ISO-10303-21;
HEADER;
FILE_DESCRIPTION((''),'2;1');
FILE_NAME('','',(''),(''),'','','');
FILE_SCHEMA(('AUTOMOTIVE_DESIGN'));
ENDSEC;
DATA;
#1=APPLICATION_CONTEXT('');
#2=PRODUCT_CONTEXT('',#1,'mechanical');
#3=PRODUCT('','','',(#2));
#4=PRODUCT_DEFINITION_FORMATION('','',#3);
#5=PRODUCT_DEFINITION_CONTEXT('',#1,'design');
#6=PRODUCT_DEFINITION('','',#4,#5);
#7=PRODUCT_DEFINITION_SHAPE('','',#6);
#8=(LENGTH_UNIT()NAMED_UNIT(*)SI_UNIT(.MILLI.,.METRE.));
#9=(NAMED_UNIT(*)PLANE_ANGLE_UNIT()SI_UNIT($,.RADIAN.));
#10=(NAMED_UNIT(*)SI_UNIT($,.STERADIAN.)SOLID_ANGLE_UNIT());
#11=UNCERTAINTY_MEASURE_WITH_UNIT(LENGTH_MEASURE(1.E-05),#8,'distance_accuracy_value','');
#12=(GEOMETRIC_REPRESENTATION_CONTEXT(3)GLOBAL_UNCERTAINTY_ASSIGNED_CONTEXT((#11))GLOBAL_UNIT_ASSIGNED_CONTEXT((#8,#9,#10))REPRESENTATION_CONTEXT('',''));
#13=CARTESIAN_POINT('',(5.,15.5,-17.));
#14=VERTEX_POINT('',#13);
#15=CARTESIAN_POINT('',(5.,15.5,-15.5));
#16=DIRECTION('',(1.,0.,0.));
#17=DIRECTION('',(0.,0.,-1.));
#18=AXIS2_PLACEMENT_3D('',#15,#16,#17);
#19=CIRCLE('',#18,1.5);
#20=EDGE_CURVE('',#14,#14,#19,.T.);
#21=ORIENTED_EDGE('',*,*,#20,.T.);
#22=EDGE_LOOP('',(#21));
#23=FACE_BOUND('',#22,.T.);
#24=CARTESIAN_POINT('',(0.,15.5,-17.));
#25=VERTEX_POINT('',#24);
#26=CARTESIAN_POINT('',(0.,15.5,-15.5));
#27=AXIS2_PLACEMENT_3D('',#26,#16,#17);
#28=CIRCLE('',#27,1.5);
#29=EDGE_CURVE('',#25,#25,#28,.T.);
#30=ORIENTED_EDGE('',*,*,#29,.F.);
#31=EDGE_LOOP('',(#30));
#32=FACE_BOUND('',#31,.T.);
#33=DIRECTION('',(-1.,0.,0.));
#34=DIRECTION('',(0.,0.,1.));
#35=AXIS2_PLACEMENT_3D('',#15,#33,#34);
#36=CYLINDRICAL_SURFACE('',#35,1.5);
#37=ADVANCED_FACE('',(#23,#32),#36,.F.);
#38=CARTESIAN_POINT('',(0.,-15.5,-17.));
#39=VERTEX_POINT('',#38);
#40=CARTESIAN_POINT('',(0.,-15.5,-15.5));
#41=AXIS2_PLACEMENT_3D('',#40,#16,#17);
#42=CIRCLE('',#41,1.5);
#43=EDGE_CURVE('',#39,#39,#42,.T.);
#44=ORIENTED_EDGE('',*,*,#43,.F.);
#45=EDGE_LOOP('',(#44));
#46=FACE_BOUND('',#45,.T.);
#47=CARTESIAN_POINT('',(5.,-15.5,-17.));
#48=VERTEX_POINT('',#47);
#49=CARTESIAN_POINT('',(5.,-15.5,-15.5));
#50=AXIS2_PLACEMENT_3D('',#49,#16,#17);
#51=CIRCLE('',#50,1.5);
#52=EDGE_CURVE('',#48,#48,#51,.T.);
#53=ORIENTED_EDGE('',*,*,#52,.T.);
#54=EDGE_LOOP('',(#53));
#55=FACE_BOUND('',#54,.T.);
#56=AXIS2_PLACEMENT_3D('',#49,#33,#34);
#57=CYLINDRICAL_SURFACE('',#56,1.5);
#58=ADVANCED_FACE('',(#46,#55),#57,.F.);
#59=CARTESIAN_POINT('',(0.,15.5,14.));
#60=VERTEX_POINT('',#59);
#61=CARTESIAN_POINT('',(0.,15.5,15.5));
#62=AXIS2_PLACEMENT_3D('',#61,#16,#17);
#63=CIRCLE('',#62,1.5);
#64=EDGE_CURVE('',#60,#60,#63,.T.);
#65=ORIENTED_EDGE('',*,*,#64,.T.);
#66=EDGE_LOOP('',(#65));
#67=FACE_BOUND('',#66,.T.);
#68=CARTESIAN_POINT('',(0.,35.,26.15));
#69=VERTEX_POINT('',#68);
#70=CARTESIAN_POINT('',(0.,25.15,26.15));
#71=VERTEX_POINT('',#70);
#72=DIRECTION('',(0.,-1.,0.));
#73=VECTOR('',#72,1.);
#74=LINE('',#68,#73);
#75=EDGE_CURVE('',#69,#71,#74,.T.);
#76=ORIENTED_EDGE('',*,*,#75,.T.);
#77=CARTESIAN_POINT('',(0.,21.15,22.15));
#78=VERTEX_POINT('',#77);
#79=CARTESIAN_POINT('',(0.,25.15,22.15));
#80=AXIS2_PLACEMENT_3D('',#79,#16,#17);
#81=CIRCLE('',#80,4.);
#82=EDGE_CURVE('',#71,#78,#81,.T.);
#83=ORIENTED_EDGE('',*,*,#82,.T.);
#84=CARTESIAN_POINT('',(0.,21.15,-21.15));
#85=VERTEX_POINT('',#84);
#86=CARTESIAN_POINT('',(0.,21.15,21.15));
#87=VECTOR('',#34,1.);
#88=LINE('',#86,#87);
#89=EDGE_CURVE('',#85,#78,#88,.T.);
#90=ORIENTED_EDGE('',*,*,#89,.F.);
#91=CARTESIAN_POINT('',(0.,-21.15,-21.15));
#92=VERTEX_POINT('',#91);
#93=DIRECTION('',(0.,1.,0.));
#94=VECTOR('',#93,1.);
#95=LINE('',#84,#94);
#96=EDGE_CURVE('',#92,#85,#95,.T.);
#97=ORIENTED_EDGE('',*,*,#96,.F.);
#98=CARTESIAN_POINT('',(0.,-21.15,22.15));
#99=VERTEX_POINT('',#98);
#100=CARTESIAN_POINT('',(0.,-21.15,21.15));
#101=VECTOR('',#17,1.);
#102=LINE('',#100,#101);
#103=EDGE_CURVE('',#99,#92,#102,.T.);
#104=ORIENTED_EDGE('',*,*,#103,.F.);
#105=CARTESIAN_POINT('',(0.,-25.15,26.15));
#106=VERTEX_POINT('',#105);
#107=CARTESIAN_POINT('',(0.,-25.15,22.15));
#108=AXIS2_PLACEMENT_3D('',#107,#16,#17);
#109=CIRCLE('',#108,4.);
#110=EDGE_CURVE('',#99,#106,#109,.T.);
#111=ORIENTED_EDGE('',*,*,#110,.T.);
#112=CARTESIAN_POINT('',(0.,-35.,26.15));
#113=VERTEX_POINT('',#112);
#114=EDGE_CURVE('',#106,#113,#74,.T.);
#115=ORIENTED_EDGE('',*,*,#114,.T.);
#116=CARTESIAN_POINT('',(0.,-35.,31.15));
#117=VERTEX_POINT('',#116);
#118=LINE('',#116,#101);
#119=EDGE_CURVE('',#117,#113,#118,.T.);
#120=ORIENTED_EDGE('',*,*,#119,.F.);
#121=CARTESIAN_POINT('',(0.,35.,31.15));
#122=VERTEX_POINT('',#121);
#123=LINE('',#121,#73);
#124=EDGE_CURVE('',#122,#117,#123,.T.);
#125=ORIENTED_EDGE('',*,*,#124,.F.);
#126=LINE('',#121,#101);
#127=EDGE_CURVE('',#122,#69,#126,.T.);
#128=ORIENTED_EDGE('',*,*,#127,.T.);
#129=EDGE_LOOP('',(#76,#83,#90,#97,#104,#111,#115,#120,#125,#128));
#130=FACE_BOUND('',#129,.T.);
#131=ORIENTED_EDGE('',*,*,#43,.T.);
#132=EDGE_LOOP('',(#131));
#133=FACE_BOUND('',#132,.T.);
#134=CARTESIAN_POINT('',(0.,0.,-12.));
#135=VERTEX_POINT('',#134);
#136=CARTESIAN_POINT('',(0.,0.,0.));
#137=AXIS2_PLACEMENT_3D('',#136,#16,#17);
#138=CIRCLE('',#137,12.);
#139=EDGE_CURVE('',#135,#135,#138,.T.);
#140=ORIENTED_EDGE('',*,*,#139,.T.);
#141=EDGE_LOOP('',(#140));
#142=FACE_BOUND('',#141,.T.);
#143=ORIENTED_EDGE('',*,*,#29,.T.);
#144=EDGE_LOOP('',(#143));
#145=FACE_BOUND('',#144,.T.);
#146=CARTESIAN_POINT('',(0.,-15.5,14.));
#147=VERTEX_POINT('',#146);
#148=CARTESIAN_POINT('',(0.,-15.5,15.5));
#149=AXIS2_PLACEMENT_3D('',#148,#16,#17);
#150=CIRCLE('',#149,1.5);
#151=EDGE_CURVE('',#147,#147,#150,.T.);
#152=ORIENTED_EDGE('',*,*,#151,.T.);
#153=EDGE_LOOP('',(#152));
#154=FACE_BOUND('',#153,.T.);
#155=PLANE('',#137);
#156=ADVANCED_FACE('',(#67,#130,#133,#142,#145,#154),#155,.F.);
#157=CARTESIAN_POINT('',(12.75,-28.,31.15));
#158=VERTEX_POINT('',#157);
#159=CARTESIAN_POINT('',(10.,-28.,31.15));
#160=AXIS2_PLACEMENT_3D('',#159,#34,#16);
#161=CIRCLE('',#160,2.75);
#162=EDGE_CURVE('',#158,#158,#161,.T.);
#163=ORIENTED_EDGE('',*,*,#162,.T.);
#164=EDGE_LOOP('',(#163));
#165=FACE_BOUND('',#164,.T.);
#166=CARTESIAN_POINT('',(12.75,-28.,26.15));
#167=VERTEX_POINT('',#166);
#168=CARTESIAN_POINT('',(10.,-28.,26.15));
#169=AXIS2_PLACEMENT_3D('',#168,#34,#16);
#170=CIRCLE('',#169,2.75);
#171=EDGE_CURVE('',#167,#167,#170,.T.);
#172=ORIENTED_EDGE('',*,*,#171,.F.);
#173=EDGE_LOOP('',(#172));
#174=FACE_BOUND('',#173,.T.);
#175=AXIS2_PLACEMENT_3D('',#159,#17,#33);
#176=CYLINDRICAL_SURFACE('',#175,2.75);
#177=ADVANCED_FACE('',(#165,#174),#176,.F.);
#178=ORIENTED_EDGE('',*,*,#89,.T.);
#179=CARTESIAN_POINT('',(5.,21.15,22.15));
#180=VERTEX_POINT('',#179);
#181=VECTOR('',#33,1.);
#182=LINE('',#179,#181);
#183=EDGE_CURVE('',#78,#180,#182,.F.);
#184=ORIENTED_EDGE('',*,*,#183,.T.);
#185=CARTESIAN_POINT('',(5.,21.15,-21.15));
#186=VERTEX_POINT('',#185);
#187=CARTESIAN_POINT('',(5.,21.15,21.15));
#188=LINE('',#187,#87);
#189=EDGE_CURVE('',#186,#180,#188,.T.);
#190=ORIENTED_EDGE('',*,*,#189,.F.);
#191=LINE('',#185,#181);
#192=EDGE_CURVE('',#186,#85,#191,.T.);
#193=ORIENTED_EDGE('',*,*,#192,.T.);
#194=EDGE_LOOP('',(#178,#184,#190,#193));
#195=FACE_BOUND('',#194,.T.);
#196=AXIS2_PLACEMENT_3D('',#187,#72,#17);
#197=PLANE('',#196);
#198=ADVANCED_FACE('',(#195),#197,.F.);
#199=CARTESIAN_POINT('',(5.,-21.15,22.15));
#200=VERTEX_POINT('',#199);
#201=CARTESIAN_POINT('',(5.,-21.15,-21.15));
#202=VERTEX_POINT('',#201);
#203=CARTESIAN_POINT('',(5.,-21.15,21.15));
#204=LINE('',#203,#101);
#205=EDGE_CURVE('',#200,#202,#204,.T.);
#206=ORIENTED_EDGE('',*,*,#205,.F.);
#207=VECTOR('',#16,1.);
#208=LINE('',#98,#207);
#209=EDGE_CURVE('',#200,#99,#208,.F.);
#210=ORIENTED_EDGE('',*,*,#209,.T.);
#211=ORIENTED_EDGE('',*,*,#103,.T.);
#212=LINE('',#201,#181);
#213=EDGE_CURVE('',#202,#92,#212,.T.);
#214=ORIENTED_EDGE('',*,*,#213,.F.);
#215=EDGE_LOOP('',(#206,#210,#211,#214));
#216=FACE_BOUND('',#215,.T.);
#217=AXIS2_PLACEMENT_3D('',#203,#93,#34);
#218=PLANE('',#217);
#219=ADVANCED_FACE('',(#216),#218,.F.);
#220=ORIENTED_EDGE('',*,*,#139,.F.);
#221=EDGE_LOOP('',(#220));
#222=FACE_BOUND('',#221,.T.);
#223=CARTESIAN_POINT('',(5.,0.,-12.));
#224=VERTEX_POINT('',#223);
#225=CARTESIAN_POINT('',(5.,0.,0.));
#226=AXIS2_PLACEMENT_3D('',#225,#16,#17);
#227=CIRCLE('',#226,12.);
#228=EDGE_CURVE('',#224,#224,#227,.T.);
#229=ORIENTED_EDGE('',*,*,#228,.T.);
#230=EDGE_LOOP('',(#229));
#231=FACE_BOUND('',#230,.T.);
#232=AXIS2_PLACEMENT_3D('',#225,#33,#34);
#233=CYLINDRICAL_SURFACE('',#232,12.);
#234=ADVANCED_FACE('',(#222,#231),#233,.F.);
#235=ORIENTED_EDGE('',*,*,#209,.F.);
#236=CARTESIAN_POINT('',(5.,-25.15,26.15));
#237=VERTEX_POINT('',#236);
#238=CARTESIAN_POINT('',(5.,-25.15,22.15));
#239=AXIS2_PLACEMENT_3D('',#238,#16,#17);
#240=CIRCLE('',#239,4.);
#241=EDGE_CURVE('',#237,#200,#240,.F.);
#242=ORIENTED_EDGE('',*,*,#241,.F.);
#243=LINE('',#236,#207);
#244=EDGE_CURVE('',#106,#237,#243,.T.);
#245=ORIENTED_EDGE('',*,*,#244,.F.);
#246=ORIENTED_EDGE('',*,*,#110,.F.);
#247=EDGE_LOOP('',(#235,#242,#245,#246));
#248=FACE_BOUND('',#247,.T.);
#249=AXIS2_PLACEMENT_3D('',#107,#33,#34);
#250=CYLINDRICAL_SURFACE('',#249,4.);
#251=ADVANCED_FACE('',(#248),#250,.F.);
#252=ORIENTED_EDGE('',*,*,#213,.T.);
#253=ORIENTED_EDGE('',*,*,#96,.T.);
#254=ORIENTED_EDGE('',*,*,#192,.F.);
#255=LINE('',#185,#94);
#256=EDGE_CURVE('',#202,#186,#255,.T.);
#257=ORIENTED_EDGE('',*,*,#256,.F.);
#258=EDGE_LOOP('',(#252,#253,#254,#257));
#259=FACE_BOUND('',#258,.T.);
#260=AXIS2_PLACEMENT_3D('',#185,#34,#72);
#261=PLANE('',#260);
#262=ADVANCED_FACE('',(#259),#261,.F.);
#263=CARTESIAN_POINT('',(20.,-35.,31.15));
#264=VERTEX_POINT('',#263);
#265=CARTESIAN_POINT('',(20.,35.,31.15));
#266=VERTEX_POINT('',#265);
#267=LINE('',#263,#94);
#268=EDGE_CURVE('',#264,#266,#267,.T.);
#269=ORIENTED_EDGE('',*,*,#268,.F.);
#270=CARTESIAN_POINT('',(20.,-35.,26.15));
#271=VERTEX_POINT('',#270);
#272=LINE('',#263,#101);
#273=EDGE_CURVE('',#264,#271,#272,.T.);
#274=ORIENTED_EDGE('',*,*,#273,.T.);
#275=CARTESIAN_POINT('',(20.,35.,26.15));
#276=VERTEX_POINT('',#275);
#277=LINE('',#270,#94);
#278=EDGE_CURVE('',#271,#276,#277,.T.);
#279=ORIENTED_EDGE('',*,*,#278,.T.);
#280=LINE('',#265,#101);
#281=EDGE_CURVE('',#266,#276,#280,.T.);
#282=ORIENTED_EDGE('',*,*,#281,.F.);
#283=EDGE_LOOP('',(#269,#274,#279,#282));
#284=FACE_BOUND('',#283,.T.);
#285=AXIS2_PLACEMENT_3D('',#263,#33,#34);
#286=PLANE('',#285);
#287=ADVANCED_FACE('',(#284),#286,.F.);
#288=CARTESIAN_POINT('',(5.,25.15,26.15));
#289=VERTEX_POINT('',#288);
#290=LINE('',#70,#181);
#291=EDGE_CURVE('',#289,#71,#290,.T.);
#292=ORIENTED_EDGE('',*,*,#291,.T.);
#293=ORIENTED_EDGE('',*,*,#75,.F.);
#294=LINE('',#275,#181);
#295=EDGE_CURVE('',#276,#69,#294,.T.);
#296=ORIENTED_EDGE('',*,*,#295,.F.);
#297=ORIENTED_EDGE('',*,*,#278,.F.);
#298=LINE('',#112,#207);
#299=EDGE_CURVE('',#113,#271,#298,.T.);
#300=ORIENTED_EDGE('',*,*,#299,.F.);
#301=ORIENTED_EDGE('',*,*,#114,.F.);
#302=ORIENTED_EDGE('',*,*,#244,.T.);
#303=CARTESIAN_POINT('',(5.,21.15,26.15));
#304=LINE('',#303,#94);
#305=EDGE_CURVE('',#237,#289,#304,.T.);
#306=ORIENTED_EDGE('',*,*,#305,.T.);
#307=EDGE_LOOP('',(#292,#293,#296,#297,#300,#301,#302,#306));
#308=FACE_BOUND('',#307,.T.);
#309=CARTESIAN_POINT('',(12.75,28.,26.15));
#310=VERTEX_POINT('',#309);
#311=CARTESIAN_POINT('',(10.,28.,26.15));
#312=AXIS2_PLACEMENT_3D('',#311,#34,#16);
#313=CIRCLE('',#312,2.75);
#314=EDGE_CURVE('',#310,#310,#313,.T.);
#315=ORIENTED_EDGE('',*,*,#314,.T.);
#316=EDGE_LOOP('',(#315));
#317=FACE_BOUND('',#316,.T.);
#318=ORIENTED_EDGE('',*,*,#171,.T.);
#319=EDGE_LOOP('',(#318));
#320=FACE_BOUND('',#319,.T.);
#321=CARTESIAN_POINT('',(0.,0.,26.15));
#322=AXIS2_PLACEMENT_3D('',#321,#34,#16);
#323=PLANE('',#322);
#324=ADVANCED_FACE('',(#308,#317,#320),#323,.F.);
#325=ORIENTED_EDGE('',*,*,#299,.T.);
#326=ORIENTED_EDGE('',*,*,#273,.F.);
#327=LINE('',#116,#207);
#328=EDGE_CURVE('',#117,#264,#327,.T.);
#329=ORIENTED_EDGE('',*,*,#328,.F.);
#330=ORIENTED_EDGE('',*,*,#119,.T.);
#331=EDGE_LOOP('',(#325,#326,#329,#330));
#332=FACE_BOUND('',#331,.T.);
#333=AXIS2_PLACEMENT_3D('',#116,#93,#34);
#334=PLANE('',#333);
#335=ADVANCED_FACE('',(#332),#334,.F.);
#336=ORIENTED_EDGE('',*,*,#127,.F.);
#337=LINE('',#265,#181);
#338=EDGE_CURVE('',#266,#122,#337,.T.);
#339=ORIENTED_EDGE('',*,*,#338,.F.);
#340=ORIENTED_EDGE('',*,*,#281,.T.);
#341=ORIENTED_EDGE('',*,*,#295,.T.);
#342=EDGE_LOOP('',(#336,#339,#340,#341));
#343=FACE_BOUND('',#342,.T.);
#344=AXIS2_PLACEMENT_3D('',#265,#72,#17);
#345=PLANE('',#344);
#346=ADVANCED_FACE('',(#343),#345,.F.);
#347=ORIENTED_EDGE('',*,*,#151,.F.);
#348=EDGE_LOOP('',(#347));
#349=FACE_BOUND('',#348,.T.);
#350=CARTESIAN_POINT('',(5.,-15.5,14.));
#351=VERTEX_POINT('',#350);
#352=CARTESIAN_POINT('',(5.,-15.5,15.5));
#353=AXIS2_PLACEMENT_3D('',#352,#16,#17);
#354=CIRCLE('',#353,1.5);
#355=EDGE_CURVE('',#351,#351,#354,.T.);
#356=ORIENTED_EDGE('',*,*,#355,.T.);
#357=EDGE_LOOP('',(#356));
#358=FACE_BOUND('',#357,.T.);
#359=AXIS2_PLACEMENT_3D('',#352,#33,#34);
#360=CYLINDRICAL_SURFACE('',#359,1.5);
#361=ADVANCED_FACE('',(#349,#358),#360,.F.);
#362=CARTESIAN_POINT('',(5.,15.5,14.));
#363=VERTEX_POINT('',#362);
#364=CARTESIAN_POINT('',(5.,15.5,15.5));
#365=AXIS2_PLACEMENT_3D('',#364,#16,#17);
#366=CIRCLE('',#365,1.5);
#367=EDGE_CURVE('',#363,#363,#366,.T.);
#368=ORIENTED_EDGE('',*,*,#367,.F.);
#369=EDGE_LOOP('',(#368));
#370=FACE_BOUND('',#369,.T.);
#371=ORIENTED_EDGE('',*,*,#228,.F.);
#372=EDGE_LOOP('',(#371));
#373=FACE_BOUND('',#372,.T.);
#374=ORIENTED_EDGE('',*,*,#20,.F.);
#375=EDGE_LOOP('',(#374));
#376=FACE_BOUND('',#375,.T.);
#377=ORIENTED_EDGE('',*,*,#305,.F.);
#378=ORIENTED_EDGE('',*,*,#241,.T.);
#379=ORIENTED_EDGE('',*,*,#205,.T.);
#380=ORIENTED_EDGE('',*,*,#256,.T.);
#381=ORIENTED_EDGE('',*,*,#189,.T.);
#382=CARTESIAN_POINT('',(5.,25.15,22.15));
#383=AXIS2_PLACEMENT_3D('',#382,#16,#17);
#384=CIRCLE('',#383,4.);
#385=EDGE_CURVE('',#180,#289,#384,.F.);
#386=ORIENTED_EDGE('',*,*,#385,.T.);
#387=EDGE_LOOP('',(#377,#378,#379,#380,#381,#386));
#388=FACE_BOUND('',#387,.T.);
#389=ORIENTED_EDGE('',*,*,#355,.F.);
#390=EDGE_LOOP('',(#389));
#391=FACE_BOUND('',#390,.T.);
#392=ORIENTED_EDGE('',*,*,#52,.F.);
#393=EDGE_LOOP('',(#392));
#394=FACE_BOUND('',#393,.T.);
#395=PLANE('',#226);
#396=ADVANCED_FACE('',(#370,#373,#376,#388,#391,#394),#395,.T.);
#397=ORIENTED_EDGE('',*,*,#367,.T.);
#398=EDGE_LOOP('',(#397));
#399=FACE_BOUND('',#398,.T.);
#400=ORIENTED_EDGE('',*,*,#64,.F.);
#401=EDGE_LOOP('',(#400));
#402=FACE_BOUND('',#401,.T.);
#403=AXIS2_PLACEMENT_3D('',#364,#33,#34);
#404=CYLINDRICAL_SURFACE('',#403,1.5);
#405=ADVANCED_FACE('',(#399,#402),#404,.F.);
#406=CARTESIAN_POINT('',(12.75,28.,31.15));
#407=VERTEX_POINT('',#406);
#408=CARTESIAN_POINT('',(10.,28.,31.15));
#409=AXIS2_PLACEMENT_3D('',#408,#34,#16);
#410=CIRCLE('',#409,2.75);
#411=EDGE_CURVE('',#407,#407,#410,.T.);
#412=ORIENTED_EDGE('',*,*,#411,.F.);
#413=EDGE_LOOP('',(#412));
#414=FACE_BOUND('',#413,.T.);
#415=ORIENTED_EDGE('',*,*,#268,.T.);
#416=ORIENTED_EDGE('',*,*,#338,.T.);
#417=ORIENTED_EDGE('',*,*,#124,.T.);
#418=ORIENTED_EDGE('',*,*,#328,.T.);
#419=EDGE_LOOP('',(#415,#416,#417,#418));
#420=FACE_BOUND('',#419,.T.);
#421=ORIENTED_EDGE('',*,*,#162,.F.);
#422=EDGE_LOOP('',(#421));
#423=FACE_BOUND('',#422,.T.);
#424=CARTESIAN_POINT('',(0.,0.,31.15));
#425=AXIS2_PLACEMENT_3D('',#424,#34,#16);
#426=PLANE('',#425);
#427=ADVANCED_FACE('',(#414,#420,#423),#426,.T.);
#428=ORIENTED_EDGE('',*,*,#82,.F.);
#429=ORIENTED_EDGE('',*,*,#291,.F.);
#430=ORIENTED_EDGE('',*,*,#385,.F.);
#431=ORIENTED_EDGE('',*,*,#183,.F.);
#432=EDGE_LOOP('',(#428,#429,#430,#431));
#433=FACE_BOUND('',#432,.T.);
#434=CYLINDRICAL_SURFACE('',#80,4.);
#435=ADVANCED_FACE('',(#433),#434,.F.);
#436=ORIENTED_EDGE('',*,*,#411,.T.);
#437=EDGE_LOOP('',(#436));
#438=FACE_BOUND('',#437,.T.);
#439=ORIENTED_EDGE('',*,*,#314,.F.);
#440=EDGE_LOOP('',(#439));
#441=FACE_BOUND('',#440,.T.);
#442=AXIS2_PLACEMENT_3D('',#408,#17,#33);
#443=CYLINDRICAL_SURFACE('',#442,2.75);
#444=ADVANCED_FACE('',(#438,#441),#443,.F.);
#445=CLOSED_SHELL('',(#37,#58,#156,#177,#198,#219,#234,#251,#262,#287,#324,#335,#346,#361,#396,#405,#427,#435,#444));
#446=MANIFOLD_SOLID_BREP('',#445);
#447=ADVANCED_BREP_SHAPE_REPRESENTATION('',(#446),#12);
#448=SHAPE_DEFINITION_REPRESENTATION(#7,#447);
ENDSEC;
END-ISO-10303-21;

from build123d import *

# Parameters (mm, degrees)
SKETCH2_W           = 42.3
SKETCH2_H           = 42.3
SKETCH2_R           = 1.5
SKETCH2_R_2         = 12
BOSS_EXTRUDE1_DEPTH = 5
SKETCH5_W           = 5
SKETCH5_H           = 42.3
BOSS_EXTRUDE3_DEPTH = 5
SKETCH3_W           = 20
SKETCH3_H           = 70
SKETCH3_R           = 2.75
BOSS_EXTRUDE2_DEPTH = 5
FILLET1_R           = 4


with BuildPart() as part:
    # Sketch2 → Boss-Extrude1 (new body)
    with BuildSketch(Plane(origin=(0, 0, 0), x_dir=(0, 0, -1), z_dir=(1, 0, 0))):
        Rectangle(SKETCH2_W, SKETCH2_H)
        with Locations((-15.5, 15.5)):
            Circle(SKETCH2_R, mode=Mode.SUBTRACT)
        with Locations((15.5, 15.5)):
            Circle(SKETCH2_R, mode=Mode.SUBTRACT)
        with Locations((15.5, -15.5)):
            Circle(SKETCH2_R, mode=Mode.SUBTRACT)
        with Locations((-15.5, -15.5)):
            Circle(SKETCH2_R, mode=Mode.SUBTRACT)
        Circle(SKETCH2_R_2, mode=Mode.SUBTRACT)
    extrude(amount=BOSS_EXTRUDE1_DEPTH)

    # Sketch5 → Boss-Extrude3 (add)
    with BuildSketch(Plane.XY.offset(21.15)):
        with Locations((2.5, 0)):
            Rectangle(SKETCH5_W, SKETCH5_H)
    extrude(amount=BOSS_EXTRUDE3_DEPTH)

    # Sketch3 → Boss-Extrude2 (add)
    with BuildSketch(Plane.XY.offset(26.15)):
        with Locations((10, 0)):
            Rectangle(SKETCH3_W, SKETCH3_H)
        with Locations((10, 28)):
            Circle(SKETCH3_R, mode=Mode.SUBTRACT)
        with Locations((10, -28)):
            Circle(SKETCH3_R, mode=Mode.SUBTRACT)
    extrude(amount=BOSS_EXTRUDE2_DEPTH)

    # Fillet1
    fillet1_edges = [part.edges().sort_by_distance(p)[0] for p in [
        (2.5, -21.15, 26.15),
        (2.5, 21.15, 26.15),
    ]]
    fillet(fillet1_edges, radius=FILLET1_R)


solid = part.part
